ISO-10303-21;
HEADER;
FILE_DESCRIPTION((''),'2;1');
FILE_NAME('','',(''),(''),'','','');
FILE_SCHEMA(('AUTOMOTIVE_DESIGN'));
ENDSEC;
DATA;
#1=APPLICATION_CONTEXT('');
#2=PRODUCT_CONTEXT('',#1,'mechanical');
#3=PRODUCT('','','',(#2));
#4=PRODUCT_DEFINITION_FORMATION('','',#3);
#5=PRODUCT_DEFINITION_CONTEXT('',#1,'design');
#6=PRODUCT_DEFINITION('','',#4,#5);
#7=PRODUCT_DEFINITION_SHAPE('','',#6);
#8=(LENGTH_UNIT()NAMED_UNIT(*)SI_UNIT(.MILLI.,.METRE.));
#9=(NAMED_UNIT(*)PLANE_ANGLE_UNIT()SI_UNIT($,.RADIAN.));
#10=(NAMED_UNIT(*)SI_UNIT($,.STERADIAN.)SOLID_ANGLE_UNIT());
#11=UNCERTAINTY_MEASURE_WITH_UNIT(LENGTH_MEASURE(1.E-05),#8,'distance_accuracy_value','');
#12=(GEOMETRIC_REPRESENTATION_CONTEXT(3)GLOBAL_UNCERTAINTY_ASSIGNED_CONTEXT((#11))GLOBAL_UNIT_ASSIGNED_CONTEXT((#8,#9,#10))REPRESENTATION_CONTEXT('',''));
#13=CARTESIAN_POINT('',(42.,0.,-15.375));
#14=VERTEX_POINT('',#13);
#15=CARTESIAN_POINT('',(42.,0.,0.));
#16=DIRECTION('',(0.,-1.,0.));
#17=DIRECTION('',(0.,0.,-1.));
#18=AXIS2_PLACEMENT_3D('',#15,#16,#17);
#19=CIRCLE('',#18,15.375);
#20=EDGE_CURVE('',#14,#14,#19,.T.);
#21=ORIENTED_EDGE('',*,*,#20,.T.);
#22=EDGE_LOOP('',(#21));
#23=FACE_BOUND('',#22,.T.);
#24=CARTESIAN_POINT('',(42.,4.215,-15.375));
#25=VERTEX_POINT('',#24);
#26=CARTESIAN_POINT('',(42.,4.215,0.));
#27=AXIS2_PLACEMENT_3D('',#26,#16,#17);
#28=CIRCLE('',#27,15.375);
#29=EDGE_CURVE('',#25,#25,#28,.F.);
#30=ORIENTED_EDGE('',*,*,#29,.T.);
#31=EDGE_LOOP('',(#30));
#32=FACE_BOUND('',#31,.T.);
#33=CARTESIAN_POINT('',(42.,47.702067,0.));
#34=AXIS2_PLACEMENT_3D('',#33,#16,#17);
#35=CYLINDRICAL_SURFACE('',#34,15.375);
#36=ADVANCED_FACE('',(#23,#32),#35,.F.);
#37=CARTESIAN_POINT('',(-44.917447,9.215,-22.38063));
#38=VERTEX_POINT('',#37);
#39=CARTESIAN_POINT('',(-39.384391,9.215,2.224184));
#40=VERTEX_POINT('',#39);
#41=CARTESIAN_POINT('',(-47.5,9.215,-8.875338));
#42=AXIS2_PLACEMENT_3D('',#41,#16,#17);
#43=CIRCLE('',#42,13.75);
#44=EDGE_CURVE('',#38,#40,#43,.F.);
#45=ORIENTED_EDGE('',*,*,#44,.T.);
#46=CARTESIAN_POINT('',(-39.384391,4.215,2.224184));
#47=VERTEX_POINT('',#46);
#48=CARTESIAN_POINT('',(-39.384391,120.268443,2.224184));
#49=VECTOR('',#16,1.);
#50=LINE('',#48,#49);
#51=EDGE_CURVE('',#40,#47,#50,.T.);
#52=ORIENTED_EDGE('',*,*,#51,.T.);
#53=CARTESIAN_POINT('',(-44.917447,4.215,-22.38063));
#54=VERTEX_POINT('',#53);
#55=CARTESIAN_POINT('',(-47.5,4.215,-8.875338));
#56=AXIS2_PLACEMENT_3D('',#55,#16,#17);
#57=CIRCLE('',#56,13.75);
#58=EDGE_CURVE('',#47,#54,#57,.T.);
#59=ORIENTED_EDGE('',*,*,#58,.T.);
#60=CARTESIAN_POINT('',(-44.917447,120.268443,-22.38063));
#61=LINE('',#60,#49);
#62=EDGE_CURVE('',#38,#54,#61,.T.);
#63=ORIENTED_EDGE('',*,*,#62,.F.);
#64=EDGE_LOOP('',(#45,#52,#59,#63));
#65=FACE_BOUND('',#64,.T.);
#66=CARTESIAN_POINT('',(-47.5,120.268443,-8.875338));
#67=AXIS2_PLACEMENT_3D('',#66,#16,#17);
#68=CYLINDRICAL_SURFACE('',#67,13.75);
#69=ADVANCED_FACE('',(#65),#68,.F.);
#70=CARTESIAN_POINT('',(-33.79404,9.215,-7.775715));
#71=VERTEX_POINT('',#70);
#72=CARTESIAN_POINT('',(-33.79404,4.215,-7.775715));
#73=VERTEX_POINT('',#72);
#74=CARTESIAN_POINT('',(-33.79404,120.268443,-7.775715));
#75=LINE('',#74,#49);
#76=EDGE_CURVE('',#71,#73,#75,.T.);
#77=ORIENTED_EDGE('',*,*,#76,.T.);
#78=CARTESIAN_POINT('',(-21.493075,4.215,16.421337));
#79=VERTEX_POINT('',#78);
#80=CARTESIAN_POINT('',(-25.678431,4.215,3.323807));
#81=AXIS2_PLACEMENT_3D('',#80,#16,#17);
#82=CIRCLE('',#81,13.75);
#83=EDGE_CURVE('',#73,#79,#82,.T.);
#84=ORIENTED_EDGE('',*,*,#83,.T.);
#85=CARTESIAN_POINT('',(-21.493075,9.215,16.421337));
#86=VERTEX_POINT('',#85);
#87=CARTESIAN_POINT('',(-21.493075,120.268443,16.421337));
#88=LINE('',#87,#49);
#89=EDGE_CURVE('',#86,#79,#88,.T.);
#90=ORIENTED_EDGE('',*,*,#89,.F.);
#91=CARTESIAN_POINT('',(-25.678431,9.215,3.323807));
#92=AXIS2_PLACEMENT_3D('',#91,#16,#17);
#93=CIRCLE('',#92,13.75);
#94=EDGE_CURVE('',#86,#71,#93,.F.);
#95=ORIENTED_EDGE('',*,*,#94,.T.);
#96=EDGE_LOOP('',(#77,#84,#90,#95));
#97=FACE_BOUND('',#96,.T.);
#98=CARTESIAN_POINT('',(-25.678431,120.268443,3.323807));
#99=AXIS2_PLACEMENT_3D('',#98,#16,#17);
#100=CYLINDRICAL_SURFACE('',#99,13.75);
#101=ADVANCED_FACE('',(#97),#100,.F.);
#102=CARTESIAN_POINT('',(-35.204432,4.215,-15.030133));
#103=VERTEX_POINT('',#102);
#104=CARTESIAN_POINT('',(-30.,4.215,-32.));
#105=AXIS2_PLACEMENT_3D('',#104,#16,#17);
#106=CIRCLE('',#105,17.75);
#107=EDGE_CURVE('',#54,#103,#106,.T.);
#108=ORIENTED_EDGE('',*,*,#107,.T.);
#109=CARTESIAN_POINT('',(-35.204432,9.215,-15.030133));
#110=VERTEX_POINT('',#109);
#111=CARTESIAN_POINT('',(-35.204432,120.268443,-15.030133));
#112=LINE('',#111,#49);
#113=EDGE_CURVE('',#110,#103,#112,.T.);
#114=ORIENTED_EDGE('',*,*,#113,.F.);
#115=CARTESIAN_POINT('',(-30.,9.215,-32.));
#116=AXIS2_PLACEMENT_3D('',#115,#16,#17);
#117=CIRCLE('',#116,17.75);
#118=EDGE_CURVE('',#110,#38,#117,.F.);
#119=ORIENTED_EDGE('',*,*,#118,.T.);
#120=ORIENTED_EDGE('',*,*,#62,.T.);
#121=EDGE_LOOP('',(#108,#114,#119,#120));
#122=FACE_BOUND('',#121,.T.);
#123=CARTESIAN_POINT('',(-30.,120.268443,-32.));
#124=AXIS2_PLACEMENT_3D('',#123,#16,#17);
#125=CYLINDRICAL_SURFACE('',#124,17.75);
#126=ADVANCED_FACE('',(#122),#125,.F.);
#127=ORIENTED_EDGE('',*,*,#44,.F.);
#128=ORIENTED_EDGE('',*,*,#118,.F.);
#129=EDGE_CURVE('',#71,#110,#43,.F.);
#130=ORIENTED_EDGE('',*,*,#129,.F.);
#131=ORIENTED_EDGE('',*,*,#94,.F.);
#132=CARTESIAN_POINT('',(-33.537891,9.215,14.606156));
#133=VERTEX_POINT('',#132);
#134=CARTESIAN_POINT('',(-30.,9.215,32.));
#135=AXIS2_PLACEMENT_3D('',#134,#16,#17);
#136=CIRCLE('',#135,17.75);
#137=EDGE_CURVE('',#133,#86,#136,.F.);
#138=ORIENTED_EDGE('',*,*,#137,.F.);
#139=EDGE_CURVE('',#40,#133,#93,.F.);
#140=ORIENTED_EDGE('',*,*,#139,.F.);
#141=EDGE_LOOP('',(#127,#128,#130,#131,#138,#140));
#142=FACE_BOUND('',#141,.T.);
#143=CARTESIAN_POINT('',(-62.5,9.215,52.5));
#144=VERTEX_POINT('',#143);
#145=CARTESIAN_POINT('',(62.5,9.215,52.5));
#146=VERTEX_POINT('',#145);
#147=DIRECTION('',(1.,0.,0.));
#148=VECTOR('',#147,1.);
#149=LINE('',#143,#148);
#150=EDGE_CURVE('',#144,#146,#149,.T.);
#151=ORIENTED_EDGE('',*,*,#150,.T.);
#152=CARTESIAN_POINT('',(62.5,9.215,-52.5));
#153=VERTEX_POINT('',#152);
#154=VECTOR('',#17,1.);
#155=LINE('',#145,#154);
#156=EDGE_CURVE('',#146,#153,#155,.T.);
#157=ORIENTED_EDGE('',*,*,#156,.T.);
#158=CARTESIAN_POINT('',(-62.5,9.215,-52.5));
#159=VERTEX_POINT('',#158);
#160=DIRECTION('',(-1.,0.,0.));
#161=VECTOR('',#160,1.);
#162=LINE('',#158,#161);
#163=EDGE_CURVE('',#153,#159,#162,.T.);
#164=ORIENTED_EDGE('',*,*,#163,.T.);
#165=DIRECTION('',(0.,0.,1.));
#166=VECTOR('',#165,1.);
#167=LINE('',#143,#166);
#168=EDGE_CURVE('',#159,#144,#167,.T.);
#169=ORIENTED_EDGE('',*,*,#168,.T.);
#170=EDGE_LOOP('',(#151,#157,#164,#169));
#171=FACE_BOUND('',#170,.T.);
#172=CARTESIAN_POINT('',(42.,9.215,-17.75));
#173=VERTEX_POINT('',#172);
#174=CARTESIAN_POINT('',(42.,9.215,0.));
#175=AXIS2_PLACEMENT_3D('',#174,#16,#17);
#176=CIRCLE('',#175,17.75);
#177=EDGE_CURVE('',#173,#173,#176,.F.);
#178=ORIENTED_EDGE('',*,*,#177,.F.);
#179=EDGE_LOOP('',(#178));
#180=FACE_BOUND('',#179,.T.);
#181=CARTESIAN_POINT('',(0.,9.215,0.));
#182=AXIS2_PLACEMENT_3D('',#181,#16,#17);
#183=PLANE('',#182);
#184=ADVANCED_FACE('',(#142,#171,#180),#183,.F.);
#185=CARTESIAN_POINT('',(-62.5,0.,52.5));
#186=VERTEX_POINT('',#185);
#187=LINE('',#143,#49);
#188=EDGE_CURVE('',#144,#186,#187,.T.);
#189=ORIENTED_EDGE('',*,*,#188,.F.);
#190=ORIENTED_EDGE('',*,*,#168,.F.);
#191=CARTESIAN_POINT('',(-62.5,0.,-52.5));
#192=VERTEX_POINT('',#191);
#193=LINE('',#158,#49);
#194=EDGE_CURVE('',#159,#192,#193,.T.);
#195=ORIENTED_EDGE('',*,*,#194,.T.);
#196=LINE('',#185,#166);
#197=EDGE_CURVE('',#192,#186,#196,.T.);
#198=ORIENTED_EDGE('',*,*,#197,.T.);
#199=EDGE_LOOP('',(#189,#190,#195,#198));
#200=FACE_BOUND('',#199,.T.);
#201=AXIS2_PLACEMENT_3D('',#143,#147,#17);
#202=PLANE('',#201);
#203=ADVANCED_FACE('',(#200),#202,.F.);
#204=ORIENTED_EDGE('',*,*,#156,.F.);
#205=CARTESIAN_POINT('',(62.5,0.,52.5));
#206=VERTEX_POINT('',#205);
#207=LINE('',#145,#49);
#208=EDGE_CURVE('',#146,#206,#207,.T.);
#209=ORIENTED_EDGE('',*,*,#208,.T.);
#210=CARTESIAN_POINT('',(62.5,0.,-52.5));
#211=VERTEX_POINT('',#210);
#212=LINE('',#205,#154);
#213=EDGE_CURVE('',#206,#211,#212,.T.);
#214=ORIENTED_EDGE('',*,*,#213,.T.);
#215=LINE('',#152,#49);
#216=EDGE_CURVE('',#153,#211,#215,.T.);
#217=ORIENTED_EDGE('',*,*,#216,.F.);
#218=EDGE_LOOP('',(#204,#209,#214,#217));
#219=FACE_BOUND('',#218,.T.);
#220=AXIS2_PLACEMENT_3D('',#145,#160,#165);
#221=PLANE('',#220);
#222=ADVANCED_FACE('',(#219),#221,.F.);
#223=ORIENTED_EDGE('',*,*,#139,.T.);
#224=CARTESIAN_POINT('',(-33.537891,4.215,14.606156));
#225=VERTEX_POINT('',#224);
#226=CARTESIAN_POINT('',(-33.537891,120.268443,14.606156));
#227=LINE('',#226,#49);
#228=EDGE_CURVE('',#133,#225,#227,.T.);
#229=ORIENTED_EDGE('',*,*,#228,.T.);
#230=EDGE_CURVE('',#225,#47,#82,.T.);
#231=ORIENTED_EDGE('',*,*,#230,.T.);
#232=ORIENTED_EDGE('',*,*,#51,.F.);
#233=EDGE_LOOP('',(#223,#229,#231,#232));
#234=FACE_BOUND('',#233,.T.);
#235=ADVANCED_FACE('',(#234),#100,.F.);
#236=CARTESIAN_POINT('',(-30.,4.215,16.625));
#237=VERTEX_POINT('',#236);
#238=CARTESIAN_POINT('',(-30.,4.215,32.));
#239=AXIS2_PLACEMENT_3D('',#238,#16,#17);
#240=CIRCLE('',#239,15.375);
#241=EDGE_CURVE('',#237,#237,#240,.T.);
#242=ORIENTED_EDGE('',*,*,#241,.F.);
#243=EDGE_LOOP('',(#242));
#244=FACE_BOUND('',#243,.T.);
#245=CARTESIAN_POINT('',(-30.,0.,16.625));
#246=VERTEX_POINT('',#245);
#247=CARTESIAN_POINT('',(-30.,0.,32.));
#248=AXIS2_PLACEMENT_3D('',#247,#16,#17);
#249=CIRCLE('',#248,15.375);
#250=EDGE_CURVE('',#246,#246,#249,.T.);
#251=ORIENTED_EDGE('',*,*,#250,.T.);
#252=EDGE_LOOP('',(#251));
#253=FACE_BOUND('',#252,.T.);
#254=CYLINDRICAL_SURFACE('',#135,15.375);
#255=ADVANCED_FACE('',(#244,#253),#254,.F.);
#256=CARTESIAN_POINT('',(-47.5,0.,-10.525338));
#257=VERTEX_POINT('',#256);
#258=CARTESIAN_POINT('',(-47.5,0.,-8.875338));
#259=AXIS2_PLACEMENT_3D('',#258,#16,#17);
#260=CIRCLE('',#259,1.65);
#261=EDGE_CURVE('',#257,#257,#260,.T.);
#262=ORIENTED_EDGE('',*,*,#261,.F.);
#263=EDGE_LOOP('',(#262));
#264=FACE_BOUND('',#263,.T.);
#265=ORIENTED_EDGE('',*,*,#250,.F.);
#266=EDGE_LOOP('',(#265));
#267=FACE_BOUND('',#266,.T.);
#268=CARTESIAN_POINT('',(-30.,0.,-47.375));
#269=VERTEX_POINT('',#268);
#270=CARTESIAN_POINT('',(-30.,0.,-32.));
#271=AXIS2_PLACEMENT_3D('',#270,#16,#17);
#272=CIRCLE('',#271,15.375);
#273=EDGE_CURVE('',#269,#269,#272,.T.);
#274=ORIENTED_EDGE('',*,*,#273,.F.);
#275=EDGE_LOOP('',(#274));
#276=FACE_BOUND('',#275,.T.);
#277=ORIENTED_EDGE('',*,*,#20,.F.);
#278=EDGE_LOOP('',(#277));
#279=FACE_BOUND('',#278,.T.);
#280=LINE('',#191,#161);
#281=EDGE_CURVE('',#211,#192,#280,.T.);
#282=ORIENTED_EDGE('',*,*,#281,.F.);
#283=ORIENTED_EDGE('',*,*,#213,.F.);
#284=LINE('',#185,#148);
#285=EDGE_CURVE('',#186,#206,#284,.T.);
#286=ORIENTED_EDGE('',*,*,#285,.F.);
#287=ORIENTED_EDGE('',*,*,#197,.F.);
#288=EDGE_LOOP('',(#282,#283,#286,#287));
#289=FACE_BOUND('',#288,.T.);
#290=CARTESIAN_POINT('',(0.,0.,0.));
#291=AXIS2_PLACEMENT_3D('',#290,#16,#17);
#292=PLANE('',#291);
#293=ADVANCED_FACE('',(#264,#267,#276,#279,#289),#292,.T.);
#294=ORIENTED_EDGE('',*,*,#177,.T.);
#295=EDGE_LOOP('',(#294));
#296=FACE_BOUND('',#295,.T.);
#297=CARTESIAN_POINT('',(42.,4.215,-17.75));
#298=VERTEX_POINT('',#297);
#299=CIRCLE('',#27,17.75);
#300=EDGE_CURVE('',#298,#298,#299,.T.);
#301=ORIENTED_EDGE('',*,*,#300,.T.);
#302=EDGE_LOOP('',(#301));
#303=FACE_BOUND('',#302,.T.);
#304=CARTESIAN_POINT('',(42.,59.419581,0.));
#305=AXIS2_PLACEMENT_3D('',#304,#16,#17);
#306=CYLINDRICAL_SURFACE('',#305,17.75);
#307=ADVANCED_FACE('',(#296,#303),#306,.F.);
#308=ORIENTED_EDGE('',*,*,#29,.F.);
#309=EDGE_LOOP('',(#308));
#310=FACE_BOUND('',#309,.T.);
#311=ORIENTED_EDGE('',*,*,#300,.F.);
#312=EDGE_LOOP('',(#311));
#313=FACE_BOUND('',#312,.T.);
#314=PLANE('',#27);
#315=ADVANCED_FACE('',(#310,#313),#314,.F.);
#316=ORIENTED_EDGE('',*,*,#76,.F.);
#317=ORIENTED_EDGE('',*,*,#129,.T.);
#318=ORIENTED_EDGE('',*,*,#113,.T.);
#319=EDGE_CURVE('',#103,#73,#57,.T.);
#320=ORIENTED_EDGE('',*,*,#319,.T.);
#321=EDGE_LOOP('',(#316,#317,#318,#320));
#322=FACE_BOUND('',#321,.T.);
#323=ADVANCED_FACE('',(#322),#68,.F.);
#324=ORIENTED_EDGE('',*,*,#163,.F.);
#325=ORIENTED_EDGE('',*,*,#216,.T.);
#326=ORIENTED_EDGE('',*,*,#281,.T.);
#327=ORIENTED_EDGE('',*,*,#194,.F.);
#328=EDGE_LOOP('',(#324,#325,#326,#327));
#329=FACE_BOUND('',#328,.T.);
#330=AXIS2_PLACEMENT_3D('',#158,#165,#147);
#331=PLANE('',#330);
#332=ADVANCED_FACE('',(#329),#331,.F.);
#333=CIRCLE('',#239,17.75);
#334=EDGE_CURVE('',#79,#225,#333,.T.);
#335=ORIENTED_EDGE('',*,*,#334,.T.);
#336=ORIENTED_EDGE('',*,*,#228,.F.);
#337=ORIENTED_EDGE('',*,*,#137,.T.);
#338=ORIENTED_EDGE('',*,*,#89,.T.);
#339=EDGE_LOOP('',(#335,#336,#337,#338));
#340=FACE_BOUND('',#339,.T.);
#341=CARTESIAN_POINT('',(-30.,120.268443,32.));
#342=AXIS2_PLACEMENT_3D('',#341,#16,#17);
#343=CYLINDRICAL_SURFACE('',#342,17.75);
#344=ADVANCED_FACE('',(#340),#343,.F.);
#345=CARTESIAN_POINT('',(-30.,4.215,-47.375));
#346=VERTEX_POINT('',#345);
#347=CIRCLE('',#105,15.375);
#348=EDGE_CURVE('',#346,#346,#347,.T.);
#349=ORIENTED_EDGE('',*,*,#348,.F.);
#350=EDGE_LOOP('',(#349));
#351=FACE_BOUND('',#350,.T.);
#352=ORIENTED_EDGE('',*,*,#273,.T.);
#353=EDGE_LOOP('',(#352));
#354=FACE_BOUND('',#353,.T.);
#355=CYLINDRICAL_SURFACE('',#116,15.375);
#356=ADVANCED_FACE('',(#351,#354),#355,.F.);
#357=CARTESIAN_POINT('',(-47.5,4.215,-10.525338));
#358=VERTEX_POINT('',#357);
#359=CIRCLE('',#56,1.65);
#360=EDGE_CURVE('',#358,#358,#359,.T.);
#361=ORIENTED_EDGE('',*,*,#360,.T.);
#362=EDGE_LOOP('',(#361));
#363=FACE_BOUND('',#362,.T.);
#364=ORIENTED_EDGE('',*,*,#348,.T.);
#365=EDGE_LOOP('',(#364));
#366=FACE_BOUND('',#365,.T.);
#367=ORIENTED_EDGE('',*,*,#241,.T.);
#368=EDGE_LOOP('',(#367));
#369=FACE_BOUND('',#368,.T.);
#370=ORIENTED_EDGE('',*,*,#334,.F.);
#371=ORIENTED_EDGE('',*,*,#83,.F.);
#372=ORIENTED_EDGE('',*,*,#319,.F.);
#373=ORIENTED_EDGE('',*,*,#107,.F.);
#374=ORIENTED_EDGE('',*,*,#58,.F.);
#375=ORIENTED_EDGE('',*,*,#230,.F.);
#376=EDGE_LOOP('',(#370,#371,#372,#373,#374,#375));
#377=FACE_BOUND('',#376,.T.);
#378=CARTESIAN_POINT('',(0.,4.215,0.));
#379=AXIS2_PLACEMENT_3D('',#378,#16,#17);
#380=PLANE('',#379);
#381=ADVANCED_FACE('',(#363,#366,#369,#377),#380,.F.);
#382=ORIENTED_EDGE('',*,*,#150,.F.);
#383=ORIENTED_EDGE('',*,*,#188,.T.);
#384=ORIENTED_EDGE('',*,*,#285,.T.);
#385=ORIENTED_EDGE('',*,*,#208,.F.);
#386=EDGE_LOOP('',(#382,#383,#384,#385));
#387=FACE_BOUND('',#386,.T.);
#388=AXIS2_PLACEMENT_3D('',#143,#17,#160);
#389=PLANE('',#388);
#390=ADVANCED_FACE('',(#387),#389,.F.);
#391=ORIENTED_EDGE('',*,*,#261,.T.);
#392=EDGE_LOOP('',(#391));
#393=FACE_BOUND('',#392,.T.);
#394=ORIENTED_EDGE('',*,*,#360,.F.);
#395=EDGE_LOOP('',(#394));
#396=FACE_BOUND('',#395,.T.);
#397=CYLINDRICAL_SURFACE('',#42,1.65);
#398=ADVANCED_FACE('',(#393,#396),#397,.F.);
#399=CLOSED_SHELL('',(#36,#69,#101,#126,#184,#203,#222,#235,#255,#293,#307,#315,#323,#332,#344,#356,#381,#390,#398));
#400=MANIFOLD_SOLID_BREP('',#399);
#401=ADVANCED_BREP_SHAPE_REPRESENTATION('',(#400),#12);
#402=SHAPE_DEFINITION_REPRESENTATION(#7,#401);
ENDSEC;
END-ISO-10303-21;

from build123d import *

# Parameters (mm, degrees)
SKETCH1_W                                      = 125
SKETCH1_H                                      = 105
TEST_BASE_POSTION_DEPTH                        = 9.215
THUMB_KNUCKLE_MOUNT_START                      = -4.215
SKETCH7_R                                      = 17.75
THUMB_KNUCKLE_MOUNT_DEPTH                      = 5
SKETCH8_R                                      = 15.375
THUMB_KNUCKLE_DEPTH                            = 4.215
GEARS_POSITION_EXTRUDE_CUT_START               = -4.215
SKETCH10_R                                     = 13.75
SKETCH10_R_2                                   = 17.75
GEARS_POSITION_EXTRUDE_CUT_DEPTH               = 5
SKETCH11_R                                     = 15.375
SKETCH11_R_2                                   = 1.65
FINGERS_KNUCKLE_MOUNT_AND_INTERMEDIATE_T_DEPTH = 83.142657767


with BuildPart() as part:
    # Sketch1 → Test_Base_Postion (new body)
    with BuildSketch(Plane(origin=(0, 0, 0), x_dir=(1, 0, 0), z_dir=(0, 1, 0))):
        Rectangle(SKETCH1_W, SKETCH1_H)
    extrude(amount=TEST_BASE_POSTION_DEPTH)

    # Sketch7 → Thumb_Knuckle_Mount (cut)
    with BuildSketch(Plane.XZ.offset(THUMB_KNUCKLE_MOUNT_START)):
        with Locations(Location((42, 0, 0), (0, 0, 270))):
            Circle(SKETCH7_R)
    extrude(amount=-THUMB_KNUCKLE_MOUNT_DEPTH, mode=Mode.SUBTRACT)

    # Sketch8 → Thumb_Knuckle (cut)
    with BuildSketch(Plane.XZ):
        with Locations(Location((42, 0, 0), (0, 0, 270))):
            Circle(SKETCH8_R)
    extrude(amount=-THUMB_KNUCKLE_DEPTH, mode=Mode.SUBTRACT)

    # Sketch10 → Gears_Position_Extrude_Cut (cut)
    with BuildSketch(Plane.XZ.offset(GEARS_POSITION_EXTRUDE_CUT_START)):
        with Locations((-25.678431211, 3.323807031)):
            Circle(SKETCH10_R)
        with Locations((-30, 32)):
            Circle(SKETCH10_R_2)
        with Locations((-47.5, -8.87533784)):
            Circle(SKETCH10_R)
        with Locations((-30, -32)):
            Circle(SKETCH10_R_2)
    extrude(amount=-GEARS_POSITION_EXTRUDE_CUT_DEPTH, mode=Mode.SUBTRACT)

    # Sketch11 → Fingers_Knuckle_Mount_and_Intermediate_Through_Hole (cut, through all)
    with BuildSketch(Plane.XZ):
        with Locations(Location((-30, 32, 0), (0, 0, 270))):
            Circle(SKETCH11_R)
        with Locations(Location((-30, -32, 0), (0, 0, 270))):
            Circle(SKETCH11_R)
        with Locations(Location((-47.5, -8.87533784, 0), (0, 0, 270))):
            Circle(SKETCH11_R_2)
    extrude(amount=-FINGERS_KNUCKLE_MOUNT_AND_INTERMEDIATE_T_DEPTH, mode=Mode.SUBTRACT)


solid = part.part
